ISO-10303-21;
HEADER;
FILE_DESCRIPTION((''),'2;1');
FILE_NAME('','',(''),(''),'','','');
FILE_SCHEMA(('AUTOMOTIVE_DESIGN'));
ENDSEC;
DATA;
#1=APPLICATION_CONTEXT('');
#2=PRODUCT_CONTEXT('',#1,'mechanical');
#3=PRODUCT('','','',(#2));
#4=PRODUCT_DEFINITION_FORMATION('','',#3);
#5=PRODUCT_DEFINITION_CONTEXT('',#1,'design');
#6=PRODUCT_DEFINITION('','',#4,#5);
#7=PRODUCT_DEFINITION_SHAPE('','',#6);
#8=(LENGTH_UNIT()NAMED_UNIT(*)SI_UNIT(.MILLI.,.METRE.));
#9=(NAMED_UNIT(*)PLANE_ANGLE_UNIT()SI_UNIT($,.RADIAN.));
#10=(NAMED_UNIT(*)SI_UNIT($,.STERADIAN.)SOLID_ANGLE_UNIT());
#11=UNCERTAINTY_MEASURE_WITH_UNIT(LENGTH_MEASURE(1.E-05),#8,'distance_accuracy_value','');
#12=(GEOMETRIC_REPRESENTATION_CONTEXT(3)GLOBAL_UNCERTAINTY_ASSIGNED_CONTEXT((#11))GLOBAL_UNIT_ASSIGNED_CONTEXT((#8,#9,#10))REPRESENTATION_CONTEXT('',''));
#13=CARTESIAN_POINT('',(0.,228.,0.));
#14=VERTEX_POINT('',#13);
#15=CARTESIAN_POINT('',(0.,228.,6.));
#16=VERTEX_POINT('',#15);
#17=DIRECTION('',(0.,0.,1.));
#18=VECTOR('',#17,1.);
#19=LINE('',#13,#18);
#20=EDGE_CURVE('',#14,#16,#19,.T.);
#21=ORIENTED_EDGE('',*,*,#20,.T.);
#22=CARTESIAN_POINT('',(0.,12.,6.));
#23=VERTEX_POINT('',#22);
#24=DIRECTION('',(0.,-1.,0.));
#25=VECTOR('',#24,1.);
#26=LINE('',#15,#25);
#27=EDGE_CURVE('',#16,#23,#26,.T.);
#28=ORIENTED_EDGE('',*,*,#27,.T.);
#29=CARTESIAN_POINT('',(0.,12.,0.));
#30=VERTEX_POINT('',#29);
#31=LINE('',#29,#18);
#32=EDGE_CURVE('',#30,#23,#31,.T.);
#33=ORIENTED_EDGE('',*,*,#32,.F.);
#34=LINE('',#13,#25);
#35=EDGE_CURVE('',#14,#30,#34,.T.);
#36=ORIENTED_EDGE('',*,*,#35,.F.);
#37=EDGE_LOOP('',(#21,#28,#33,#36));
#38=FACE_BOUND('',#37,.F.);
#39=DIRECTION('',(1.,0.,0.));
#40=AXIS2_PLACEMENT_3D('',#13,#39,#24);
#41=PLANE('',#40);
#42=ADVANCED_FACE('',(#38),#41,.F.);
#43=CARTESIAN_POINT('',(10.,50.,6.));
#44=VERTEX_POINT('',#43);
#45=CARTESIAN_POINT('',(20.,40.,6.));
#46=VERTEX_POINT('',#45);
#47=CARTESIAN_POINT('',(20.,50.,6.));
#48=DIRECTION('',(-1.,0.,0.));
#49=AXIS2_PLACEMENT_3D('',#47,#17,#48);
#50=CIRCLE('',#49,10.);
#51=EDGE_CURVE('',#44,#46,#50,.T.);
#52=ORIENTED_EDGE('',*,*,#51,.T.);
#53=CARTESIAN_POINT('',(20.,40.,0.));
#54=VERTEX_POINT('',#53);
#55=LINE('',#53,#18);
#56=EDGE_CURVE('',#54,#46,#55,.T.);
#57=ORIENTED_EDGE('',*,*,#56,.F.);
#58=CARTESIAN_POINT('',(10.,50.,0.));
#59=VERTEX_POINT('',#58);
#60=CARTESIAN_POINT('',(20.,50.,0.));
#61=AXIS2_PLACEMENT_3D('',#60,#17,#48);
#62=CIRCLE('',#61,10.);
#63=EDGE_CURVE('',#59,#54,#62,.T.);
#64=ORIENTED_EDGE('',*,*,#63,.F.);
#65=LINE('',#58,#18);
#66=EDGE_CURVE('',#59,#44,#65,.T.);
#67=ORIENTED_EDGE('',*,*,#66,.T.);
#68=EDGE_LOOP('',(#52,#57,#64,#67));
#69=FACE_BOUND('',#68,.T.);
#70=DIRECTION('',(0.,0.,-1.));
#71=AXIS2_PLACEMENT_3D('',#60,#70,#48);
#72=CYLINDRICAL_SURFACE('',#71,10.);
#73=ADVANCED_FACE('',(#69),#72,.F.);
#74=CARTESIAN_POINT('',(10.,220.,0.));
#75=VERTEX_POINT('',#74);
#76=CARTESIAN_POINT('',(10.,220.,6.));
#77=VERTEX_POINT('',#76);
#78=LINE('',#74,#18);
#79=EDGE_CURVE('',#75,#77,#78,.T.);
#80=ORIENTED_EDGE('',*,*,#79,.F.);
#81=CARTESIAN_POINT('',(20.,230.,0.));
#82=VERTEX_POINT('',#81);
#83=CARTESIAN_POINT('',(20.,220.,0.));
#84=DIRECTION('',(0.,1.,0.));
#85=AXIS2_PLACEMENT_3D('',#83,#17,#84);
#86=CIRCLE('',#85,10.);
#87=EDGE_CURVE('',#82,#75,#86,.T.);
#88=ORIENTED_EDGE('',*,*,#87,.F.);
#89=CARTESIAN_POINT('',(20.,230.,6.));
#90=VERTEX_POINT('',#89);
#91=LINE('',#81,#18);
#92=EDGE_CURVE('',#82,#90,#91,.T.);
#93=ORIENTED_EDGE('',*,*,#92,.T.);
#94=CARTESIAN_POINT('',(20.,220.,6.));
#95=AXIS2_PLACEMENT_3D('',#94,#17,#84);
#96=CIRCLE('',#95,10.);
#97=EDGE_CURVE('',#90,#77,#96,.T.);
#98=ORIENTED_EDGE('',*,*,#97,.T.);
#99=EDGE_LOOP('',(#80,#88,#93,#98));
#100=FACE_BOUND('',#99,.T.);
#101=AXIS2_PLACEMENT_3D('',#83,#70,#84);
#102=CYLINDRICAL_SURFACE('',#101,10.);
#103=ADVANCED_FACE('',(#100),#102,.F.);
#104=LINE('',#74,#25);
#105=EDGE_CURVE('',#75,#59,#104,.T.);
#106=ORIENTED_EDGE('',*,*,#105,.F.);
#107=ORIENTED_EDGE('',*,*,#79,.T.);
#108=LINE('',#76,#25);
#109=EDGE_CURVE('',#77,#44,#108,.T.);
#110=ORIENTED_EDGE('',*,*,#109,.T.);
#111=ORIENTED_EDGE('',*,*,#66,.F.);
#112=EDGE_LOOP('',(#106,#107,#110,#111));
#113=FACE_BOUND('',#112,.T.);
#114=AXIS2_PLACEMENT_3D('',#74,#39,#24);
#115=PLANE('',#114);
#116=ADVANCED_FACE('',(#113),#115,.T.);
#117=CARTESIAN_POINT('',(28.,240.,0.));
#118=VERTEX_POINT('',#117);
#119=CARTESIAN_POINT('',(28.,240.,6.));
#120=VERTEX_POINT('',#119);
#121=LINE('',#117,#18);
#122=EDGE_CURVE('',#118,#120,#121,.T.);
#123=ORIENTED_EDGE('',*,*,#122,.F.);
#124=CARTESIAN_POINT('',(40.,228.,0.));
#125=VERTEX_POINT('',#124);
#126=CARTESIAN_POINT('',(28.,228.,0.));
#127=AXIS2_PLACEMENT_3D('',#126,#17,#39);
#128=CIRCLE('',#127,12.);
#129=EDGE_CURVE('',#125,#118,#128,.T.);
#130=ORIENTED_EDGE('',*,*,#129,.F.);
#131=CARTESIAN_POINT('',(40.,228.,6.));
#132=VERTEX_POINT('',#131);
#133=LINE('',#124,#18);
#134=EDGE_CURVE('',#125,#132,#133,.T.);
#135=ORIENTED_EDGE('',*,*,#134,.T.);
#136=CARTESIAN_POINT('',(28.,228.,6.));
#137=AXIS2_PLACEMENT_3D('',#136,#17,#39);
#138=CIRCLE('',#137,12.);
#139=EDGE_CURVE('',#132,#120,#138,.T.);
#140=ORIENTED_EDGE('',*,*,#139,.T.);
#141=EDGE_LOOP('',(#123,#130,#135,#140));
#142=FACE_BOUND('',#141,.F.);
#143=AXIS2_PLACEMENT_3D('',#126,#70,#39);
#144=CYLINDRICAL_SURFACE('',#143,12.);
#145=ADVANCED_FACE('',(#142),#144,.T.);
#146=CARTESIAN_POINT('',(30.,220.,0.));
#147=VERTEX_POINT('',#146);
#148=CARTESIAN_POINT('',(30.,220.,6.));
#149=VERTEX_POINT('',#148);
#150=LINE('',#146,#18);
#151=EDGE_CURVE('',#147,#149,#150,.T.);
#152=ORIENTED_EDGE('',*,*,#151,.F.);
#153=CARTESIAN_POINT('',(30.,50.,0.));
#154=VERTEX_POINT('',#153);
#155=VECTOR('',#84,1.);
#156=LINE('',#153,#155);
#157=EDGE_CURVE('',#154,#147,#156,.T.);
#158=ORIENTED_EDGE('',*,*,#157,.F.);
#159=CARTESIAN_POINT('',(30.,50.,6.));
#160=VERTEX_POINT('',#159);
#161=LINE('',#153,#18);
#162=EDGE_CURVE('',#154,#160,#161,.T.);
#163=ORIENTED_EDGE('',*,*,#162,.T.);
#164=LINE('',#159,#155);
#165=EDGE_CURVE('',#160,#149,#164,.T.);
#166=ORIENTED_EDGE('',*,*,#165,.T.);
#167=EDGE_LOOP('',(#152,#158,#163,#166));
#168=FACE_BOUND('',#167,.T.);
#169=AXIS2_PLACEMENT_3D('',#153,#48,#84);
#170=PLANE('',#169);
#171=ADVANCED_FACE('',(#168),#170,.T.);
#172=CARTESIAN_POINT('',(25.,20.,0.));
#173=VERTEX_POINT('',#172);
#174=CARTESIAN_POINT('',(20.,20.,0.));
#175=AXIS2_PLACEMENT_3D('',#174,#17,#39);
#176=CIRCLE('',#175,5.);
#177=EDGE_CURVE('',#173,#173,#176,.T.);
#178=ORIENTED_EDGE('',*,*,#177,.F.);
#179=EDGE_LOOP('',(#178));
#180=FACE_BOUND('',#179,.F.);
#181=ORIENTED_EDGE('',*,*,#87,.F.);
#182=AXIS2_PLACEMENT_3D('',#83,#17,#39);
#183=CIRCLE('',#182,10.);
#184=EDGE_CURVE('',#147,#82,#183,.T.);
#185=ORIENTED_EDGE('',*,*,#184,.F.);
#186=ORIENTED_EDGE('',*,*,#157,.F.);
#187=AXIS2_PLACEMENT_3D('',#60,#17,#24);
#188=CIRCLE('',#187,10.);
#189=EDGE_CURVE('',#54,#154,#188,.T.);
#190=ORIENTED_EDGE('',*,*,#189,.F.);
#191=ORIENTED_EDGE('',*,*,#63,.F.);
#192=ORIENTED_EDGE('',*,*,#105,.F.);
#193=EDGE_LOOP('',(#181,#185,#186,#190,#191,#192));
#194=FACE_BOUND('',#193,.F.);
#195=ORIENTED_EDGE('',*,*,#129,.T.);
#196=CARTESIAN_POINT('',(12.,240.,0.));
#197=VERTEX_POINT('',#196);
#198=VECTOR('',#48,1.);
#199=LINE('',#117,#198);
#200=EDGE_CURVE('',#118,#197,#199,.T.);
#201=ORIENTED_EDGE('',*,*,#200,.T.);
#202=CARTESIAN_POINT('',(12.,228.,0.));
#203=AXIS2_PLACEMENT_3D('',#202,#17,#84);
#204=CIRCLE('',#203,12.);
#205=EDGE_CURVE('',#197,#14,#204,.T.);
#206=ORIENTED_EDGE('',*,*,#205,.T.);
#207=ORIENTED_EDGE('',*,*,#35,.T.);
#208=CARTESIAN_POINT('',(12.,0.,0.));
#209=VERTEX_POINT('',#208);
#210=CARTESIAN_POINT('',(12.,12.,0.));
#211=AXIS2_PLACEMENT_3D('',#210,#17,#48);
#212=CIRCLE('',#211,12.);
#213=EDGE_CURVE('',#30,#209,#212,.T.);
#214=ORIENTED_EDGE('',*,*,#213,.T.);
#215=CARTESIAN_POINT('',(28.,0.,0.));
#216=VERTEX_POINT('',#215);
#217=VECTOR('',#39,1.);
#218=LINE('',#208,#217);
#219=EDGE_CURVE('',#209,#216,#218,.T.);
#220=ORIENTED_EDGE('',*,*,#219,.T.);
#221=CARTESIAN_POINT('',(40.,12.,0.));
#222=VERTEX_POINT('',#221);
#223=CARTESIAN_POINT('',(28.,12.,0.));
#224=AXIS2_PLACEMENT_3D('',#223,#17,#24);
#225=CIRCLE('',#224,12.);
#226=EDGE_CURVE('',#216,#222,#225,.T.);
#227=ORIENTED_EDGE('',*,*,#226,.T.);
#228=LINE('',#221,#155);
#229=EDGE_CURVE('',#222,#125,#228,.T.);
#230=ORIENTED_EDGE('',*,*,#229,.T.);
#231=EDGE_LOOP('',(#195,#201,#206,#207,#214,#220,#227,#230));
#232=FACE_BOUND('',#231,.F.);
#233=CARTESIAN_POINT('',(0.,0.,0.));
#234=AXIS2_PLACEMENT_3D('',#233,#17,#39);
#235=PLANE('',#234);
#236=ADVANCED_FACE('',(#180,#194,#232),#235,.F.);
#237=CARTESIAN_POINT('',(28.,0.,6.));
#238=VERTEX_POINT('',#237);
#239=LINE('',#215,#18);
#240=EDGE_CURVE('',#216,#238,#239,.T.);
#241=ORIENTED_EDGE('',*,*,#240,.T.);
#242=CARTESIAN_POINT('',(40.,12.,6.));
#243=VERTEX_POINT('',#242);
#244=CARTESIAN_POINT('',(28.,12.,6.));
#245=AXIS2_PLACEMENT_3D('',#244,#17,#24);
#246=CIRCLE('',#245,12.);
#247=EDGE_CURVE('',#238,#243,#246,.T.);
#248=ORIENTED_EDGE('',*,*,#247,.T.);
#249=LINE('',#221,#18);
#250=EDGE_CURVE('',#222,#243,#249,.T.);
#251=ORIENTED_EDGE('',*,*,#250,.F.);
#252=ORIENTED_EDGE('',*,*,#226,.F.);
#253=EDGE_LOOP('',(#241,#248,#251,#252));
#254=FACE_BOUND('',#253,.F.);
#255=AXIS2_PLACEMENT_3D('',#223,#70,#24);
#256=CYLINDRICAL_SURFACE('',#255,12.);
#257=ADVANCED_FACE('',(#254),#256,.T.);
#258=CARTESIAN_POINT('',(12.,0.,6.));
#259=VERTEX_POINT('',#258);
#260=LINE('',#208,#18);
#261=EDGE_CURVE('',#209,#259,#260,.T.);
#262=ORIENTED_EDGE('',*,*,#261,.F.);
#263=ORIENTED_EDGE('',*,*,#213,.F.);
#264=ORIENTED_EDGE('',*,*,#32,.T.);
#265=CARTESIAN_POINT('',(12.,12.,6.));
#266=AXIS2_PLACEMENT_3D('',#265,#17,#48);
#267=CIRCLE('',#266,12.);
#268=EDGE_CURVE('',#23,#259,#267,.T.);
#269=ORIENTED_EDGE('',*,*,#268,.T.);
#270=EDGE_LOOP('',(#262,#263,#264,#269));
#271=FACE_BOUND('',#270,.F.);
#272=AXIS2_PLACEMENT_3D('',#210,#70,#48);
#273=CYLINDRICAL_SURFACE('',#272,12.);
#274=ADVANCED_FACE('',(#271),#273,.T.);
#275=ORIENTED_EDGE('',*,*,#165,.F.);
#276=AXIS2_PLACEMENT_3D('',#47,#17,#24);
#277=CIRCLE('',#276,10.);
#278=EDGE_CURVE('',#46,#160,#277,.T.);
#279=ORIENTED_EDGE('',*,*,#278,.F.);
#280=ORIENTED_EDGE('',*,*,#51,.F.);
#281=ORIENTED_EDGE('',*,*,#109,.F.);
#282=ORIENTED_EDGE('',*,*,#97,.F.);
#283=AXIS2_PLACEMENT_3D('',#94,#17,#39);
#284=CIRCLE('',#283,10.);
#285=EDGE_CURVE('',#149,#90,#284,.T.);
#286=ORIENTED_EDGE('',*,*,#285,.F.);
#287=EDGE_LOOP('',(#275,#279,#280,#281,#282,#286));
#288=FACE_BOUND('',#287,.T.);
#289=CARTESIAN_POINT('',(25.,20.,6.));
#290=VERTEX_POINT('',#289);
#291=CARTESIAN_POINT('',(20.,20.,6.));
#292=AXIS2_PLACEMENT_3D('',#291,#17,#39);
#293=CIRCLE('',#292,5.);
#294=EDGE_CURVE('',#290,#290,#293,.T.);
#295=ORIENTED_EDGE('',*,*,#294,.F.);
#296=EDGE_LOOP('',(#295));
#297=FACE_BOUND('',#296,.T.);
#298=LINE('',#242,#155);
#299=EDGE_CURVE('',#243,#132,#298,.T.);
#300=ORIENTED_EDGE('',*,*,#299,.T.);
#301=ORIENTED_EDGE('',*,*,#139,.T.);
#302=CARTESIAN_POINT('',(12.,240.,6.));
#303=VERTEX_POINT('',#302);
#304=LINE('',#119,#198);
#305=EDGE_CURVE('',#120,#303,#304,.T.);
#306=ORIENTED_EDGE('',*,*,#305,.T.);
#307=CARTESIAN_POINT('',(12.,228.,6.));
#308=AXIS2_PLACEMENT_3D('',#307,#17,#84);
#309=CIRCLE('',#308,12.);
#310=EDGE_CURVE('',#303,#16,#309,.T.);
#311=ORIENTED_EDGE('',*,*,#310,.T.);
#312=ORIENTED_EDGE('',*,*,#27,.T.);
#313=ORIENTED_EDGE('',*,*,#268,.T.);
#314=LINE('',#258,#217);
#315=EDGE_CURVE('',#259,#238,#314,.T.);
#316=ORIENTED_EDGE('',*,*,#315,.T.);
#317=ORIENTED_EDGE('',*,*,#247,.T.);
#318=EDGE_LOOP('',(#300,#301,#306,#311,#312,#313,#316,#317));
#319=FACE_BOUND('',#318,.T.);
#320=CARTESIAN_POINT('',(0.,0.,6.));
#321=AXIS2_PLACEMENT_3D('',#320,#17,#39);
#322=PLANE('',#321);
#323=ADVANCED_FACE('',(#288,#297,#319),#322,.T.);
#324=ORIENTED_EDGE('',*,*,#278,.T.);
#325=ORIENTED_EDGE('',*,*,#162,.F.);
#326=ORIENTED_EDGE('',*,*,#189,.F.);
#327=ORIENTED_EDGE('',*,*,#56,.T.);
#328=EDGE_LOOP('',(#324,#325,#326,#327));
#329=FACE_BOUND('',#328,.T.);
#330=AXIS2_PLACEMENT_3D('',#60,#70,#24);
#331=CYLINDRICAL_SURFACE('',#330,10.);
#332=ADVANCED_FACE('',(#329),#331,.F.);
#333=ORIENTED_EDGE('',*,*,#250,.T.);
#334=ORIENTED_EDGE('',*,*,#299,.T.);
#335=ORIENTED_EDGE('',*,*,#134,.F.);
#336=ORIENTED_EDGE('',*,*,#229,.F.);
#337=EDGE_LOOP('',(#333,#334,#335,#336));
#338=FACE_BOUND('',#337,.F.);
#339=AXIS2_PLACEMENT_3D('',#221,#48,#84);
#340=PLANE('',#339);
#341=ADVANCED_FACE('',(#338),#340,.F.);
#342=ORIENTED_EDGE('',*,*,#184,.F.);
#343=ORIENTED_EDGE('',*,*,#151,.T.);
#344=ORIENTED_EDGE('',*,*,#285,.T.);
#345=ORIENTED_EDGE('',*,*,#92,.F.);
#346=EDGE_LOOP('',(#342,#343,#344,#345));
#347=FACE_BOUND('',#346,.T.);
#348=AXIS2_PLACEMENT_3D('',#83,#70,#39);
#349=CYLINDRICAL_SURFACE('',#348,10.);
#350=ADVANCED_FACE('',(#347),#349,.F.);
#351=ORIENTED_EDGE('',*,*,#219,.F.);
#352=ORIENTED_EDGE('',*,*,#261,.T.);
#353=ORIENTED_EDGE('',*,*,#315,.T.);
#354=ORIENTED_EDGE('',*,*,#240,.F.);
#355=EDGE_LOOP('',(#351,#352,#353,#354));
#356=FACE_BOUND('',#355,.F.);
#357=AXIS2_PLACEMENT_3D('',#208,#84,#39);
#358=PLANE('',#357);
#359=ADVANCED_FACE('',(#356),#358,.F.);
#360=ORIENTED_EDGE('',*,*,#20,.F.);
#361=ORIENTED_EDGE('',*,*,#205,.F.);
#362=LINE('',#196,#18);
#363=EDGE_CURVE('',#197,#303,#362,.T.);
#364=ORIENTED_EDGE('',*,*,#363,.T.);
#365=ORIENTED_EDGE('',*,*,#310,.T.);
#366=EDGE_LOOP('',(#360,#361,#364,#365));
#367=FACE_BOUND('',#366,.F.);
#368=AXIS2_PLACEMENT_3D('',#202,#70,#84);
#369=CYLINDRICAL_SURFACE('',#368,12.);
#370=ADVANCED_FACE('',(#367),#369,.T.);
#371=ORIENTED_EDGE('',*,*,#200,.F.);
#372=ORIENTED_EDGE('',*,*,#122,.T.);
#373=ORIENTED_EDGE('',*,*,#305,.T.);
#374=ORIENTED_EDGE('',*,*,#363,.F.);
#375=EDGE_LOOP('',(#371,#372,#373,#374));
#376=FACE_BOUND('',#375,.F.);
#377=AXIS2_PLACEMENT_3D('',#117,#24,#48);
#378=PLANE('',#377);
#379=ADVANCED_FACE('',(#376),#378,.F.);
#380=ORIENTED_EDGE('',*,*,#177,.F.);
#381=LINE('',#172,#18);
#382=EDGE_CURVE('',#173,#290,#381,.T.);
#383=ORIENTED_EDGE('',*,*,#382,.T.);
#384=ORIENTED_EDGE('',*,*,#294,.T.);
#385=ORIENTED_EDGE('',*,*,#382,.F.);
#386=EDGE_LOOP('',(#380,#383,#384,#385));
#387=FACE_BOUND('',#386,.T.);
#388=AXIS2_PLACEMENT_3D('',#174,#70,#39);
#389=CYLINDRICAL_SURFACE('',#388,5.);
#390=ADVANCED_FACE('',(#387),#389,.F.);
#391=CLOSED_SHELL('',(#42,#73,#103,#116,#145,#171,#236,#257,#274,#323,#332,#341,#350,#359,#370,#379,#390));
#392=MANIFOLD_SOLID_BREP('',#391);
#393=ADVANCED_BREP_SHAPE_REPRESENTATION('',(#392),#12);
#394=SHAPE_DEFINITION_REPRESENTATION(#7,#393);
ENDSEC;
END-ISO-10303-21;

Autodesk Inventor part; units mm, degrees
ref_plane "YZ Plane" through (0, 0, 0) normal (1, 0, 0) x (0, 1, 0)
ref_plane "XZ Plane" through (0, 0, 0) normal (0, 1, 0) x (-1, 0, 0)
ref_plane "XY Plane" through (0, 0, 0) normal (0, 0, 1) x (1, 0, 0)
sketch "Boceto1" plane through (0, 0, 0) normal (0, 0, 1) x (1, 0, 0)
  point P0 (0, 0)
sketch "Boceto2" plane through (0, 0, 0) normal (0, 0, 1) x (1, 0, 0)
  line L0 (12, 0) -> (28, 0)
  line L1 (40, 12) -> (40, 228)
  line L2 (28, 240) -> (12, 240)
  line L3 (0, 228) -> (0, 12)
  arc A0 (12, 240) -> (0, 228) centre (12, 228) ccw
  arc A1 (40, 228) -> (28, 240) centre (28, 228) ccw
  circle A2 centre (20, 20) radius 5
  line L4 (20, 40) -> (20, 40)
  line L5 (30, 50) -> (30, 220)
  line L6 (20, 230) -> (20, 230)
  line L7 (10, 220) -> (10, 50)
  line L8 (10, 40) -> (30, 230) construction
  line L9 (30, 40) -> (10, 230) construction
  arc A3 (0, 12) -> (12, 0) centre (12, 12) ccw
  arc A4 (28, 0) -> (40, 12) centre (28, 12) ccw
  arc A5 (10, 50) -> (20, 40) centre (20, 50) ccw
  arc A6 (20, 40) -> (30, 50) centre (20, 50) ccw
  arc A7 (20, 230) -> (10, 220) centre (20, 220) ccw
  arc A8 (30, 220) -> (20, 230) centre (20, 220) ccw
  point P0 (0, 0)
  point P1 (40, 240)
  point P2 (40, 0)
  point P3 (0, 240)
  point P4 (20, 0)
  point P5 (20, 135)
  point P6 (20, 40)
  point P7 (20, 230)
  point P8 (20, 240)
  dimension "d0" = 40
  dimension "d1" = 240
  dimension "d2" = 12
  dimension "d3" = 12
  dimension "d4" = 10
  dimension "d5" = 20
  dimension "d6" = 20
  dimension "d7" = 190
  dimension "d9" = 12
  dimension "d10" = 10
  dimension "d14" = 200
extrude "Extrusión1" add sketch "Boceto2" along normal blind 6
properties part number "Eslabon 2"
